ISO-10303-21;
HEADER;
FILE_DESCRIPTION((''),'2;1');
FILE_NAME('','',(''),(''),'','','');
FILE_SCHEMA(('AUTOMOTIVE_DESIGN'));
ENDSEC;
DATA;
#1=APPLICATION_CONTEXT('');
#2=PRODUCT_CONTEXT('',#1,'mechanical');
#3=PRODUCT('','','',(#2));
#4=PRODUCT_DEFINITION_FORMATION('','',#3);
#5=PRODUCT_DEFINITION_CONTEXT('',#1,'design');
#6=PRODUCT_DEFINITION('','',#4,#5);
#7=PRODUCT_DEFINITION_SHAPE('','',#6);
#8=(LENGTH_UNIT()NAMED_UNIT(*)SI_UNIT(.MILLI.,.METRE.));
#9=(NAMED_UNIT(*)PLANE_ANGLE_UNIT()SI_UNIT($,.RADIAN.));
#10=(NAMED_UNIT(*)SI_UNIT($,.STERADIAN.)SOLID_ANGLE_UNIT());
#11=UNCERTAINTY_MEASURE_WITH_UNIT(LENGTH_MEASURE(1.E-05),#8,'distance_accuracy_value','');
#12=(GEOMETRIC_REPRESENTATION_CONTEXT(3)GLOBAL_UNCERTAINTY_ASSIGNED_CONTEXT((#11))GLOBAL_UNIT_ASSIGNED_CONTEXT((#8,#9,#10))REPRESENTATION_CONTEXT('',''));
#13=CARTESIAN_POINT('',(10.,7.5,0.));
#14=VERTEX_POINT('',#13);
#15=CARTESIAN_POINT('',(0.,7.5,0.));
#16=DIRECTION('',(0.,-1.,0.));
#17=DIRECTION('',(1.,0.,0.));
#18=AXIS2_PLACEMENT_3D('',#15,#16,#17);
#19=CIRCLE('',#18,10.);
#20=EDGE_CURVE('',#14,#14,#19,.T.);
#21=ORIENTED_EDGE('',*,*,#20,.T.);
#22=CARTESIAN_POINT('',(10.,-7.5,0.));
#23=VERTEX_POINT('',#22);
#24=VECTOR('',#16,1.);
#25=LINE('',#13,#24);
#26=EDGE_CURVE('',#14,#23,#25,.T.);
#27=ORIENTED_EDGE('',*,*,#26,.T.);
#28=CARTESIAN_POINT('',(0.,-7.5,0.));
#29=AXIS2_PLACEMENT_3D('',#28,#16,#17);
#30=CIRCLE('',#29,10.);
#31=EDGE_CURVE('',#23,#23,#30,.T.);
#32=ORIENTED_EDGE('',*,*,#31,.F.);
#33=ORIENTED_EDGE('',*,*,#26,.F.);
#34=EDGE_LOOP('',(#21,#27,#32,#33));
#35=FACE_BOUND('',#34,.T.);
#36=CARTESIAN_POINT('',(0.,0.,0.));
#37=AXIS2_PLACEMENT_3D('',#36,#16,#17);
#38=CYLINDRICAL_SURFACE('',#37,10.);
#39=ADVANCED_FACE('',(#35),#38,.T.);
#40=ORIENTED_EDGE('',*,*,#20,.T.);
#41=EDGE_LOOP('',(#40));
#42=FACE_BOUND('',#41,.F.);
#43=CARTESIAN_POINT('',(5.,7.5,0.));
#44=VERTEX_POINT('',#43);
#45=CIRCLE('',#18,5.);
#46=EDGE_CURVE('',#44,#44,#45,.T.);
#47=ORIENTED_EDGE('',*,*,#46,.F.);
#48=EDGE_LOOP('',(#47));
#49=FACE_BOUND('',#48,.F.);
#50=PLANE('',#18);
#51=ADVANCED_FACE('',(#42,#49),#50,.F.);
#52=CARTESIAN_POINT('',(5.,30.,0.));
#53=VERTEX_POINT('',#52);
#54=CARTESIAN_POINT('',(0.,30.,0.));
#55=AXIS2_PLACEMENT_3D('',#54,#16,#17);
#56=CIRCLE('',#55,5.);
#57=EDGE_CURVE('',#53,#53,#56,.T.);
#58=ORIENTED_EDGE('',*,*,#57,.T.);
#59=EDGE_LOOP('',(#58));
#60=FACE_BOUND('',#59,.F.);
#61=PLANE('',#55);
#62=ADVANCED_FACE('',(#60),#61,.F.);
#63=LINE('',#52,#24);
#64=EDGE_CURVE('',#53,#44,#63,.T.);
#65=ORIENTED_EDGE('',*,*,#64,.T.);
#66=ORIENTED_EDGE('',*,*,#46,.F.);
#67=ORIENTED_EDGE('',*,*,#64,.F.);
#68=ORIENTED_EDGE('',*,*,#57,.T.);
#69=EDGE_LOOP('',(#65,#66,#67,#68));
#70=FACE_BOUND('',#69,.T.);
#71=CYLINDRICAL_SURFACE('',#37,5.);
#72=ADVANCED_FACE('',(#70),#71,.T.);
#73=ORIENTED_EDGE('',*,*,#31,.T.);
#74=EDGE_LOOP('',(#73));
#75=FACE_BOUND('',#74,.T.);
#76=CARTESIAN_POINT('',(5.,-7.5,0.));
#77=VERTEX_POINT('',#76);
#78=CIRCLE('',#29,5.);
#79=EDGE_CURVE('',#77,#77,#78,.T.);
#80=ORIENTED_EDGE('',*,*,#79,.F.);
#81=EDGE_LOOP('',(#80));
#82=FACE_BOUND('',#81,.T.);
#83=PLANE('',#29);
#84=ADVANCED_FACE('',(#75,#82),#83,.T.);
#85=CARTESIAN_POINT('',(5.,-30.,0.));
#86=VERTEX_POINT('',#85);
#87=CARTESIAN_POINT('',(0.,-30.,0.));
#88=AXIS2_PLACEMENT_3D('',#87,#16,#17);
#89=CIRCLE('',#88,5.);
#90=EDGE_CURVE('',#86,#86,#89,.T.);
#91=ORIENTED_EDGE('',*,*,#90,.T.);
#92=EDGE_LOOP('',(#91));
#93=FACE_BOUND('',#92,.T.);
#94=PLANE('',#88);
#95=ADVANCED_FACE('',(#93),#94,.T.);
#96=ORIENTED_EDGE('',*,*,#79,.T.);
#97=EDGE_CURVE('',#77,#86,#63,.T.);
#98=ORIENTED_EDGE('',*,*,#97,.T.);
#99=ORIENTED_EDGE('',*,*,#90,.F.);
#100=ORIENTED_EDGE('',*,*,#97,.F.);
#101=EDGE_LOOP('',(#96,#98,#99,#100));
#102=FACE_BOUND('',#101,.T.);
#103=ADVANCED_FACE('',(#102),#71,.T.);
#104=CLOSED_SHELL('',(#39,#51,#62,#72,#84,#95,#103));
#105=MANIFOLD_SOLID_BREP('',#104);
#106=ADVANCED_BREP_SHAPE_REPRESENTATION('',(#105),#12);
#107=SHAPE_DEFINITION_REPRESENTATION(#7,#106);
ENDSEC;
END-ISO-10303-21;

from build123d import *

# Parameters (mm, degrees)
F0_R     = 5
F1_DEPTH = 30
F2_R     = 10
F3_DEPTH = 7.5


with BuildPart() as f1:
    # F0 (on Front) → F1 (new body, symmetric)
    with BuildSketch(Plane.XZ):
        Circle(F0_R)
    extrude(amount=F1_DEPTH, both=True)

    # F2 (on Front) → F3 (join, symmetric)
    with BuildSketch(Plane.XZ):
        Circle(F2_R)
    extrude(amount=F3_DEPTH, both=True)


solid = f1.part
